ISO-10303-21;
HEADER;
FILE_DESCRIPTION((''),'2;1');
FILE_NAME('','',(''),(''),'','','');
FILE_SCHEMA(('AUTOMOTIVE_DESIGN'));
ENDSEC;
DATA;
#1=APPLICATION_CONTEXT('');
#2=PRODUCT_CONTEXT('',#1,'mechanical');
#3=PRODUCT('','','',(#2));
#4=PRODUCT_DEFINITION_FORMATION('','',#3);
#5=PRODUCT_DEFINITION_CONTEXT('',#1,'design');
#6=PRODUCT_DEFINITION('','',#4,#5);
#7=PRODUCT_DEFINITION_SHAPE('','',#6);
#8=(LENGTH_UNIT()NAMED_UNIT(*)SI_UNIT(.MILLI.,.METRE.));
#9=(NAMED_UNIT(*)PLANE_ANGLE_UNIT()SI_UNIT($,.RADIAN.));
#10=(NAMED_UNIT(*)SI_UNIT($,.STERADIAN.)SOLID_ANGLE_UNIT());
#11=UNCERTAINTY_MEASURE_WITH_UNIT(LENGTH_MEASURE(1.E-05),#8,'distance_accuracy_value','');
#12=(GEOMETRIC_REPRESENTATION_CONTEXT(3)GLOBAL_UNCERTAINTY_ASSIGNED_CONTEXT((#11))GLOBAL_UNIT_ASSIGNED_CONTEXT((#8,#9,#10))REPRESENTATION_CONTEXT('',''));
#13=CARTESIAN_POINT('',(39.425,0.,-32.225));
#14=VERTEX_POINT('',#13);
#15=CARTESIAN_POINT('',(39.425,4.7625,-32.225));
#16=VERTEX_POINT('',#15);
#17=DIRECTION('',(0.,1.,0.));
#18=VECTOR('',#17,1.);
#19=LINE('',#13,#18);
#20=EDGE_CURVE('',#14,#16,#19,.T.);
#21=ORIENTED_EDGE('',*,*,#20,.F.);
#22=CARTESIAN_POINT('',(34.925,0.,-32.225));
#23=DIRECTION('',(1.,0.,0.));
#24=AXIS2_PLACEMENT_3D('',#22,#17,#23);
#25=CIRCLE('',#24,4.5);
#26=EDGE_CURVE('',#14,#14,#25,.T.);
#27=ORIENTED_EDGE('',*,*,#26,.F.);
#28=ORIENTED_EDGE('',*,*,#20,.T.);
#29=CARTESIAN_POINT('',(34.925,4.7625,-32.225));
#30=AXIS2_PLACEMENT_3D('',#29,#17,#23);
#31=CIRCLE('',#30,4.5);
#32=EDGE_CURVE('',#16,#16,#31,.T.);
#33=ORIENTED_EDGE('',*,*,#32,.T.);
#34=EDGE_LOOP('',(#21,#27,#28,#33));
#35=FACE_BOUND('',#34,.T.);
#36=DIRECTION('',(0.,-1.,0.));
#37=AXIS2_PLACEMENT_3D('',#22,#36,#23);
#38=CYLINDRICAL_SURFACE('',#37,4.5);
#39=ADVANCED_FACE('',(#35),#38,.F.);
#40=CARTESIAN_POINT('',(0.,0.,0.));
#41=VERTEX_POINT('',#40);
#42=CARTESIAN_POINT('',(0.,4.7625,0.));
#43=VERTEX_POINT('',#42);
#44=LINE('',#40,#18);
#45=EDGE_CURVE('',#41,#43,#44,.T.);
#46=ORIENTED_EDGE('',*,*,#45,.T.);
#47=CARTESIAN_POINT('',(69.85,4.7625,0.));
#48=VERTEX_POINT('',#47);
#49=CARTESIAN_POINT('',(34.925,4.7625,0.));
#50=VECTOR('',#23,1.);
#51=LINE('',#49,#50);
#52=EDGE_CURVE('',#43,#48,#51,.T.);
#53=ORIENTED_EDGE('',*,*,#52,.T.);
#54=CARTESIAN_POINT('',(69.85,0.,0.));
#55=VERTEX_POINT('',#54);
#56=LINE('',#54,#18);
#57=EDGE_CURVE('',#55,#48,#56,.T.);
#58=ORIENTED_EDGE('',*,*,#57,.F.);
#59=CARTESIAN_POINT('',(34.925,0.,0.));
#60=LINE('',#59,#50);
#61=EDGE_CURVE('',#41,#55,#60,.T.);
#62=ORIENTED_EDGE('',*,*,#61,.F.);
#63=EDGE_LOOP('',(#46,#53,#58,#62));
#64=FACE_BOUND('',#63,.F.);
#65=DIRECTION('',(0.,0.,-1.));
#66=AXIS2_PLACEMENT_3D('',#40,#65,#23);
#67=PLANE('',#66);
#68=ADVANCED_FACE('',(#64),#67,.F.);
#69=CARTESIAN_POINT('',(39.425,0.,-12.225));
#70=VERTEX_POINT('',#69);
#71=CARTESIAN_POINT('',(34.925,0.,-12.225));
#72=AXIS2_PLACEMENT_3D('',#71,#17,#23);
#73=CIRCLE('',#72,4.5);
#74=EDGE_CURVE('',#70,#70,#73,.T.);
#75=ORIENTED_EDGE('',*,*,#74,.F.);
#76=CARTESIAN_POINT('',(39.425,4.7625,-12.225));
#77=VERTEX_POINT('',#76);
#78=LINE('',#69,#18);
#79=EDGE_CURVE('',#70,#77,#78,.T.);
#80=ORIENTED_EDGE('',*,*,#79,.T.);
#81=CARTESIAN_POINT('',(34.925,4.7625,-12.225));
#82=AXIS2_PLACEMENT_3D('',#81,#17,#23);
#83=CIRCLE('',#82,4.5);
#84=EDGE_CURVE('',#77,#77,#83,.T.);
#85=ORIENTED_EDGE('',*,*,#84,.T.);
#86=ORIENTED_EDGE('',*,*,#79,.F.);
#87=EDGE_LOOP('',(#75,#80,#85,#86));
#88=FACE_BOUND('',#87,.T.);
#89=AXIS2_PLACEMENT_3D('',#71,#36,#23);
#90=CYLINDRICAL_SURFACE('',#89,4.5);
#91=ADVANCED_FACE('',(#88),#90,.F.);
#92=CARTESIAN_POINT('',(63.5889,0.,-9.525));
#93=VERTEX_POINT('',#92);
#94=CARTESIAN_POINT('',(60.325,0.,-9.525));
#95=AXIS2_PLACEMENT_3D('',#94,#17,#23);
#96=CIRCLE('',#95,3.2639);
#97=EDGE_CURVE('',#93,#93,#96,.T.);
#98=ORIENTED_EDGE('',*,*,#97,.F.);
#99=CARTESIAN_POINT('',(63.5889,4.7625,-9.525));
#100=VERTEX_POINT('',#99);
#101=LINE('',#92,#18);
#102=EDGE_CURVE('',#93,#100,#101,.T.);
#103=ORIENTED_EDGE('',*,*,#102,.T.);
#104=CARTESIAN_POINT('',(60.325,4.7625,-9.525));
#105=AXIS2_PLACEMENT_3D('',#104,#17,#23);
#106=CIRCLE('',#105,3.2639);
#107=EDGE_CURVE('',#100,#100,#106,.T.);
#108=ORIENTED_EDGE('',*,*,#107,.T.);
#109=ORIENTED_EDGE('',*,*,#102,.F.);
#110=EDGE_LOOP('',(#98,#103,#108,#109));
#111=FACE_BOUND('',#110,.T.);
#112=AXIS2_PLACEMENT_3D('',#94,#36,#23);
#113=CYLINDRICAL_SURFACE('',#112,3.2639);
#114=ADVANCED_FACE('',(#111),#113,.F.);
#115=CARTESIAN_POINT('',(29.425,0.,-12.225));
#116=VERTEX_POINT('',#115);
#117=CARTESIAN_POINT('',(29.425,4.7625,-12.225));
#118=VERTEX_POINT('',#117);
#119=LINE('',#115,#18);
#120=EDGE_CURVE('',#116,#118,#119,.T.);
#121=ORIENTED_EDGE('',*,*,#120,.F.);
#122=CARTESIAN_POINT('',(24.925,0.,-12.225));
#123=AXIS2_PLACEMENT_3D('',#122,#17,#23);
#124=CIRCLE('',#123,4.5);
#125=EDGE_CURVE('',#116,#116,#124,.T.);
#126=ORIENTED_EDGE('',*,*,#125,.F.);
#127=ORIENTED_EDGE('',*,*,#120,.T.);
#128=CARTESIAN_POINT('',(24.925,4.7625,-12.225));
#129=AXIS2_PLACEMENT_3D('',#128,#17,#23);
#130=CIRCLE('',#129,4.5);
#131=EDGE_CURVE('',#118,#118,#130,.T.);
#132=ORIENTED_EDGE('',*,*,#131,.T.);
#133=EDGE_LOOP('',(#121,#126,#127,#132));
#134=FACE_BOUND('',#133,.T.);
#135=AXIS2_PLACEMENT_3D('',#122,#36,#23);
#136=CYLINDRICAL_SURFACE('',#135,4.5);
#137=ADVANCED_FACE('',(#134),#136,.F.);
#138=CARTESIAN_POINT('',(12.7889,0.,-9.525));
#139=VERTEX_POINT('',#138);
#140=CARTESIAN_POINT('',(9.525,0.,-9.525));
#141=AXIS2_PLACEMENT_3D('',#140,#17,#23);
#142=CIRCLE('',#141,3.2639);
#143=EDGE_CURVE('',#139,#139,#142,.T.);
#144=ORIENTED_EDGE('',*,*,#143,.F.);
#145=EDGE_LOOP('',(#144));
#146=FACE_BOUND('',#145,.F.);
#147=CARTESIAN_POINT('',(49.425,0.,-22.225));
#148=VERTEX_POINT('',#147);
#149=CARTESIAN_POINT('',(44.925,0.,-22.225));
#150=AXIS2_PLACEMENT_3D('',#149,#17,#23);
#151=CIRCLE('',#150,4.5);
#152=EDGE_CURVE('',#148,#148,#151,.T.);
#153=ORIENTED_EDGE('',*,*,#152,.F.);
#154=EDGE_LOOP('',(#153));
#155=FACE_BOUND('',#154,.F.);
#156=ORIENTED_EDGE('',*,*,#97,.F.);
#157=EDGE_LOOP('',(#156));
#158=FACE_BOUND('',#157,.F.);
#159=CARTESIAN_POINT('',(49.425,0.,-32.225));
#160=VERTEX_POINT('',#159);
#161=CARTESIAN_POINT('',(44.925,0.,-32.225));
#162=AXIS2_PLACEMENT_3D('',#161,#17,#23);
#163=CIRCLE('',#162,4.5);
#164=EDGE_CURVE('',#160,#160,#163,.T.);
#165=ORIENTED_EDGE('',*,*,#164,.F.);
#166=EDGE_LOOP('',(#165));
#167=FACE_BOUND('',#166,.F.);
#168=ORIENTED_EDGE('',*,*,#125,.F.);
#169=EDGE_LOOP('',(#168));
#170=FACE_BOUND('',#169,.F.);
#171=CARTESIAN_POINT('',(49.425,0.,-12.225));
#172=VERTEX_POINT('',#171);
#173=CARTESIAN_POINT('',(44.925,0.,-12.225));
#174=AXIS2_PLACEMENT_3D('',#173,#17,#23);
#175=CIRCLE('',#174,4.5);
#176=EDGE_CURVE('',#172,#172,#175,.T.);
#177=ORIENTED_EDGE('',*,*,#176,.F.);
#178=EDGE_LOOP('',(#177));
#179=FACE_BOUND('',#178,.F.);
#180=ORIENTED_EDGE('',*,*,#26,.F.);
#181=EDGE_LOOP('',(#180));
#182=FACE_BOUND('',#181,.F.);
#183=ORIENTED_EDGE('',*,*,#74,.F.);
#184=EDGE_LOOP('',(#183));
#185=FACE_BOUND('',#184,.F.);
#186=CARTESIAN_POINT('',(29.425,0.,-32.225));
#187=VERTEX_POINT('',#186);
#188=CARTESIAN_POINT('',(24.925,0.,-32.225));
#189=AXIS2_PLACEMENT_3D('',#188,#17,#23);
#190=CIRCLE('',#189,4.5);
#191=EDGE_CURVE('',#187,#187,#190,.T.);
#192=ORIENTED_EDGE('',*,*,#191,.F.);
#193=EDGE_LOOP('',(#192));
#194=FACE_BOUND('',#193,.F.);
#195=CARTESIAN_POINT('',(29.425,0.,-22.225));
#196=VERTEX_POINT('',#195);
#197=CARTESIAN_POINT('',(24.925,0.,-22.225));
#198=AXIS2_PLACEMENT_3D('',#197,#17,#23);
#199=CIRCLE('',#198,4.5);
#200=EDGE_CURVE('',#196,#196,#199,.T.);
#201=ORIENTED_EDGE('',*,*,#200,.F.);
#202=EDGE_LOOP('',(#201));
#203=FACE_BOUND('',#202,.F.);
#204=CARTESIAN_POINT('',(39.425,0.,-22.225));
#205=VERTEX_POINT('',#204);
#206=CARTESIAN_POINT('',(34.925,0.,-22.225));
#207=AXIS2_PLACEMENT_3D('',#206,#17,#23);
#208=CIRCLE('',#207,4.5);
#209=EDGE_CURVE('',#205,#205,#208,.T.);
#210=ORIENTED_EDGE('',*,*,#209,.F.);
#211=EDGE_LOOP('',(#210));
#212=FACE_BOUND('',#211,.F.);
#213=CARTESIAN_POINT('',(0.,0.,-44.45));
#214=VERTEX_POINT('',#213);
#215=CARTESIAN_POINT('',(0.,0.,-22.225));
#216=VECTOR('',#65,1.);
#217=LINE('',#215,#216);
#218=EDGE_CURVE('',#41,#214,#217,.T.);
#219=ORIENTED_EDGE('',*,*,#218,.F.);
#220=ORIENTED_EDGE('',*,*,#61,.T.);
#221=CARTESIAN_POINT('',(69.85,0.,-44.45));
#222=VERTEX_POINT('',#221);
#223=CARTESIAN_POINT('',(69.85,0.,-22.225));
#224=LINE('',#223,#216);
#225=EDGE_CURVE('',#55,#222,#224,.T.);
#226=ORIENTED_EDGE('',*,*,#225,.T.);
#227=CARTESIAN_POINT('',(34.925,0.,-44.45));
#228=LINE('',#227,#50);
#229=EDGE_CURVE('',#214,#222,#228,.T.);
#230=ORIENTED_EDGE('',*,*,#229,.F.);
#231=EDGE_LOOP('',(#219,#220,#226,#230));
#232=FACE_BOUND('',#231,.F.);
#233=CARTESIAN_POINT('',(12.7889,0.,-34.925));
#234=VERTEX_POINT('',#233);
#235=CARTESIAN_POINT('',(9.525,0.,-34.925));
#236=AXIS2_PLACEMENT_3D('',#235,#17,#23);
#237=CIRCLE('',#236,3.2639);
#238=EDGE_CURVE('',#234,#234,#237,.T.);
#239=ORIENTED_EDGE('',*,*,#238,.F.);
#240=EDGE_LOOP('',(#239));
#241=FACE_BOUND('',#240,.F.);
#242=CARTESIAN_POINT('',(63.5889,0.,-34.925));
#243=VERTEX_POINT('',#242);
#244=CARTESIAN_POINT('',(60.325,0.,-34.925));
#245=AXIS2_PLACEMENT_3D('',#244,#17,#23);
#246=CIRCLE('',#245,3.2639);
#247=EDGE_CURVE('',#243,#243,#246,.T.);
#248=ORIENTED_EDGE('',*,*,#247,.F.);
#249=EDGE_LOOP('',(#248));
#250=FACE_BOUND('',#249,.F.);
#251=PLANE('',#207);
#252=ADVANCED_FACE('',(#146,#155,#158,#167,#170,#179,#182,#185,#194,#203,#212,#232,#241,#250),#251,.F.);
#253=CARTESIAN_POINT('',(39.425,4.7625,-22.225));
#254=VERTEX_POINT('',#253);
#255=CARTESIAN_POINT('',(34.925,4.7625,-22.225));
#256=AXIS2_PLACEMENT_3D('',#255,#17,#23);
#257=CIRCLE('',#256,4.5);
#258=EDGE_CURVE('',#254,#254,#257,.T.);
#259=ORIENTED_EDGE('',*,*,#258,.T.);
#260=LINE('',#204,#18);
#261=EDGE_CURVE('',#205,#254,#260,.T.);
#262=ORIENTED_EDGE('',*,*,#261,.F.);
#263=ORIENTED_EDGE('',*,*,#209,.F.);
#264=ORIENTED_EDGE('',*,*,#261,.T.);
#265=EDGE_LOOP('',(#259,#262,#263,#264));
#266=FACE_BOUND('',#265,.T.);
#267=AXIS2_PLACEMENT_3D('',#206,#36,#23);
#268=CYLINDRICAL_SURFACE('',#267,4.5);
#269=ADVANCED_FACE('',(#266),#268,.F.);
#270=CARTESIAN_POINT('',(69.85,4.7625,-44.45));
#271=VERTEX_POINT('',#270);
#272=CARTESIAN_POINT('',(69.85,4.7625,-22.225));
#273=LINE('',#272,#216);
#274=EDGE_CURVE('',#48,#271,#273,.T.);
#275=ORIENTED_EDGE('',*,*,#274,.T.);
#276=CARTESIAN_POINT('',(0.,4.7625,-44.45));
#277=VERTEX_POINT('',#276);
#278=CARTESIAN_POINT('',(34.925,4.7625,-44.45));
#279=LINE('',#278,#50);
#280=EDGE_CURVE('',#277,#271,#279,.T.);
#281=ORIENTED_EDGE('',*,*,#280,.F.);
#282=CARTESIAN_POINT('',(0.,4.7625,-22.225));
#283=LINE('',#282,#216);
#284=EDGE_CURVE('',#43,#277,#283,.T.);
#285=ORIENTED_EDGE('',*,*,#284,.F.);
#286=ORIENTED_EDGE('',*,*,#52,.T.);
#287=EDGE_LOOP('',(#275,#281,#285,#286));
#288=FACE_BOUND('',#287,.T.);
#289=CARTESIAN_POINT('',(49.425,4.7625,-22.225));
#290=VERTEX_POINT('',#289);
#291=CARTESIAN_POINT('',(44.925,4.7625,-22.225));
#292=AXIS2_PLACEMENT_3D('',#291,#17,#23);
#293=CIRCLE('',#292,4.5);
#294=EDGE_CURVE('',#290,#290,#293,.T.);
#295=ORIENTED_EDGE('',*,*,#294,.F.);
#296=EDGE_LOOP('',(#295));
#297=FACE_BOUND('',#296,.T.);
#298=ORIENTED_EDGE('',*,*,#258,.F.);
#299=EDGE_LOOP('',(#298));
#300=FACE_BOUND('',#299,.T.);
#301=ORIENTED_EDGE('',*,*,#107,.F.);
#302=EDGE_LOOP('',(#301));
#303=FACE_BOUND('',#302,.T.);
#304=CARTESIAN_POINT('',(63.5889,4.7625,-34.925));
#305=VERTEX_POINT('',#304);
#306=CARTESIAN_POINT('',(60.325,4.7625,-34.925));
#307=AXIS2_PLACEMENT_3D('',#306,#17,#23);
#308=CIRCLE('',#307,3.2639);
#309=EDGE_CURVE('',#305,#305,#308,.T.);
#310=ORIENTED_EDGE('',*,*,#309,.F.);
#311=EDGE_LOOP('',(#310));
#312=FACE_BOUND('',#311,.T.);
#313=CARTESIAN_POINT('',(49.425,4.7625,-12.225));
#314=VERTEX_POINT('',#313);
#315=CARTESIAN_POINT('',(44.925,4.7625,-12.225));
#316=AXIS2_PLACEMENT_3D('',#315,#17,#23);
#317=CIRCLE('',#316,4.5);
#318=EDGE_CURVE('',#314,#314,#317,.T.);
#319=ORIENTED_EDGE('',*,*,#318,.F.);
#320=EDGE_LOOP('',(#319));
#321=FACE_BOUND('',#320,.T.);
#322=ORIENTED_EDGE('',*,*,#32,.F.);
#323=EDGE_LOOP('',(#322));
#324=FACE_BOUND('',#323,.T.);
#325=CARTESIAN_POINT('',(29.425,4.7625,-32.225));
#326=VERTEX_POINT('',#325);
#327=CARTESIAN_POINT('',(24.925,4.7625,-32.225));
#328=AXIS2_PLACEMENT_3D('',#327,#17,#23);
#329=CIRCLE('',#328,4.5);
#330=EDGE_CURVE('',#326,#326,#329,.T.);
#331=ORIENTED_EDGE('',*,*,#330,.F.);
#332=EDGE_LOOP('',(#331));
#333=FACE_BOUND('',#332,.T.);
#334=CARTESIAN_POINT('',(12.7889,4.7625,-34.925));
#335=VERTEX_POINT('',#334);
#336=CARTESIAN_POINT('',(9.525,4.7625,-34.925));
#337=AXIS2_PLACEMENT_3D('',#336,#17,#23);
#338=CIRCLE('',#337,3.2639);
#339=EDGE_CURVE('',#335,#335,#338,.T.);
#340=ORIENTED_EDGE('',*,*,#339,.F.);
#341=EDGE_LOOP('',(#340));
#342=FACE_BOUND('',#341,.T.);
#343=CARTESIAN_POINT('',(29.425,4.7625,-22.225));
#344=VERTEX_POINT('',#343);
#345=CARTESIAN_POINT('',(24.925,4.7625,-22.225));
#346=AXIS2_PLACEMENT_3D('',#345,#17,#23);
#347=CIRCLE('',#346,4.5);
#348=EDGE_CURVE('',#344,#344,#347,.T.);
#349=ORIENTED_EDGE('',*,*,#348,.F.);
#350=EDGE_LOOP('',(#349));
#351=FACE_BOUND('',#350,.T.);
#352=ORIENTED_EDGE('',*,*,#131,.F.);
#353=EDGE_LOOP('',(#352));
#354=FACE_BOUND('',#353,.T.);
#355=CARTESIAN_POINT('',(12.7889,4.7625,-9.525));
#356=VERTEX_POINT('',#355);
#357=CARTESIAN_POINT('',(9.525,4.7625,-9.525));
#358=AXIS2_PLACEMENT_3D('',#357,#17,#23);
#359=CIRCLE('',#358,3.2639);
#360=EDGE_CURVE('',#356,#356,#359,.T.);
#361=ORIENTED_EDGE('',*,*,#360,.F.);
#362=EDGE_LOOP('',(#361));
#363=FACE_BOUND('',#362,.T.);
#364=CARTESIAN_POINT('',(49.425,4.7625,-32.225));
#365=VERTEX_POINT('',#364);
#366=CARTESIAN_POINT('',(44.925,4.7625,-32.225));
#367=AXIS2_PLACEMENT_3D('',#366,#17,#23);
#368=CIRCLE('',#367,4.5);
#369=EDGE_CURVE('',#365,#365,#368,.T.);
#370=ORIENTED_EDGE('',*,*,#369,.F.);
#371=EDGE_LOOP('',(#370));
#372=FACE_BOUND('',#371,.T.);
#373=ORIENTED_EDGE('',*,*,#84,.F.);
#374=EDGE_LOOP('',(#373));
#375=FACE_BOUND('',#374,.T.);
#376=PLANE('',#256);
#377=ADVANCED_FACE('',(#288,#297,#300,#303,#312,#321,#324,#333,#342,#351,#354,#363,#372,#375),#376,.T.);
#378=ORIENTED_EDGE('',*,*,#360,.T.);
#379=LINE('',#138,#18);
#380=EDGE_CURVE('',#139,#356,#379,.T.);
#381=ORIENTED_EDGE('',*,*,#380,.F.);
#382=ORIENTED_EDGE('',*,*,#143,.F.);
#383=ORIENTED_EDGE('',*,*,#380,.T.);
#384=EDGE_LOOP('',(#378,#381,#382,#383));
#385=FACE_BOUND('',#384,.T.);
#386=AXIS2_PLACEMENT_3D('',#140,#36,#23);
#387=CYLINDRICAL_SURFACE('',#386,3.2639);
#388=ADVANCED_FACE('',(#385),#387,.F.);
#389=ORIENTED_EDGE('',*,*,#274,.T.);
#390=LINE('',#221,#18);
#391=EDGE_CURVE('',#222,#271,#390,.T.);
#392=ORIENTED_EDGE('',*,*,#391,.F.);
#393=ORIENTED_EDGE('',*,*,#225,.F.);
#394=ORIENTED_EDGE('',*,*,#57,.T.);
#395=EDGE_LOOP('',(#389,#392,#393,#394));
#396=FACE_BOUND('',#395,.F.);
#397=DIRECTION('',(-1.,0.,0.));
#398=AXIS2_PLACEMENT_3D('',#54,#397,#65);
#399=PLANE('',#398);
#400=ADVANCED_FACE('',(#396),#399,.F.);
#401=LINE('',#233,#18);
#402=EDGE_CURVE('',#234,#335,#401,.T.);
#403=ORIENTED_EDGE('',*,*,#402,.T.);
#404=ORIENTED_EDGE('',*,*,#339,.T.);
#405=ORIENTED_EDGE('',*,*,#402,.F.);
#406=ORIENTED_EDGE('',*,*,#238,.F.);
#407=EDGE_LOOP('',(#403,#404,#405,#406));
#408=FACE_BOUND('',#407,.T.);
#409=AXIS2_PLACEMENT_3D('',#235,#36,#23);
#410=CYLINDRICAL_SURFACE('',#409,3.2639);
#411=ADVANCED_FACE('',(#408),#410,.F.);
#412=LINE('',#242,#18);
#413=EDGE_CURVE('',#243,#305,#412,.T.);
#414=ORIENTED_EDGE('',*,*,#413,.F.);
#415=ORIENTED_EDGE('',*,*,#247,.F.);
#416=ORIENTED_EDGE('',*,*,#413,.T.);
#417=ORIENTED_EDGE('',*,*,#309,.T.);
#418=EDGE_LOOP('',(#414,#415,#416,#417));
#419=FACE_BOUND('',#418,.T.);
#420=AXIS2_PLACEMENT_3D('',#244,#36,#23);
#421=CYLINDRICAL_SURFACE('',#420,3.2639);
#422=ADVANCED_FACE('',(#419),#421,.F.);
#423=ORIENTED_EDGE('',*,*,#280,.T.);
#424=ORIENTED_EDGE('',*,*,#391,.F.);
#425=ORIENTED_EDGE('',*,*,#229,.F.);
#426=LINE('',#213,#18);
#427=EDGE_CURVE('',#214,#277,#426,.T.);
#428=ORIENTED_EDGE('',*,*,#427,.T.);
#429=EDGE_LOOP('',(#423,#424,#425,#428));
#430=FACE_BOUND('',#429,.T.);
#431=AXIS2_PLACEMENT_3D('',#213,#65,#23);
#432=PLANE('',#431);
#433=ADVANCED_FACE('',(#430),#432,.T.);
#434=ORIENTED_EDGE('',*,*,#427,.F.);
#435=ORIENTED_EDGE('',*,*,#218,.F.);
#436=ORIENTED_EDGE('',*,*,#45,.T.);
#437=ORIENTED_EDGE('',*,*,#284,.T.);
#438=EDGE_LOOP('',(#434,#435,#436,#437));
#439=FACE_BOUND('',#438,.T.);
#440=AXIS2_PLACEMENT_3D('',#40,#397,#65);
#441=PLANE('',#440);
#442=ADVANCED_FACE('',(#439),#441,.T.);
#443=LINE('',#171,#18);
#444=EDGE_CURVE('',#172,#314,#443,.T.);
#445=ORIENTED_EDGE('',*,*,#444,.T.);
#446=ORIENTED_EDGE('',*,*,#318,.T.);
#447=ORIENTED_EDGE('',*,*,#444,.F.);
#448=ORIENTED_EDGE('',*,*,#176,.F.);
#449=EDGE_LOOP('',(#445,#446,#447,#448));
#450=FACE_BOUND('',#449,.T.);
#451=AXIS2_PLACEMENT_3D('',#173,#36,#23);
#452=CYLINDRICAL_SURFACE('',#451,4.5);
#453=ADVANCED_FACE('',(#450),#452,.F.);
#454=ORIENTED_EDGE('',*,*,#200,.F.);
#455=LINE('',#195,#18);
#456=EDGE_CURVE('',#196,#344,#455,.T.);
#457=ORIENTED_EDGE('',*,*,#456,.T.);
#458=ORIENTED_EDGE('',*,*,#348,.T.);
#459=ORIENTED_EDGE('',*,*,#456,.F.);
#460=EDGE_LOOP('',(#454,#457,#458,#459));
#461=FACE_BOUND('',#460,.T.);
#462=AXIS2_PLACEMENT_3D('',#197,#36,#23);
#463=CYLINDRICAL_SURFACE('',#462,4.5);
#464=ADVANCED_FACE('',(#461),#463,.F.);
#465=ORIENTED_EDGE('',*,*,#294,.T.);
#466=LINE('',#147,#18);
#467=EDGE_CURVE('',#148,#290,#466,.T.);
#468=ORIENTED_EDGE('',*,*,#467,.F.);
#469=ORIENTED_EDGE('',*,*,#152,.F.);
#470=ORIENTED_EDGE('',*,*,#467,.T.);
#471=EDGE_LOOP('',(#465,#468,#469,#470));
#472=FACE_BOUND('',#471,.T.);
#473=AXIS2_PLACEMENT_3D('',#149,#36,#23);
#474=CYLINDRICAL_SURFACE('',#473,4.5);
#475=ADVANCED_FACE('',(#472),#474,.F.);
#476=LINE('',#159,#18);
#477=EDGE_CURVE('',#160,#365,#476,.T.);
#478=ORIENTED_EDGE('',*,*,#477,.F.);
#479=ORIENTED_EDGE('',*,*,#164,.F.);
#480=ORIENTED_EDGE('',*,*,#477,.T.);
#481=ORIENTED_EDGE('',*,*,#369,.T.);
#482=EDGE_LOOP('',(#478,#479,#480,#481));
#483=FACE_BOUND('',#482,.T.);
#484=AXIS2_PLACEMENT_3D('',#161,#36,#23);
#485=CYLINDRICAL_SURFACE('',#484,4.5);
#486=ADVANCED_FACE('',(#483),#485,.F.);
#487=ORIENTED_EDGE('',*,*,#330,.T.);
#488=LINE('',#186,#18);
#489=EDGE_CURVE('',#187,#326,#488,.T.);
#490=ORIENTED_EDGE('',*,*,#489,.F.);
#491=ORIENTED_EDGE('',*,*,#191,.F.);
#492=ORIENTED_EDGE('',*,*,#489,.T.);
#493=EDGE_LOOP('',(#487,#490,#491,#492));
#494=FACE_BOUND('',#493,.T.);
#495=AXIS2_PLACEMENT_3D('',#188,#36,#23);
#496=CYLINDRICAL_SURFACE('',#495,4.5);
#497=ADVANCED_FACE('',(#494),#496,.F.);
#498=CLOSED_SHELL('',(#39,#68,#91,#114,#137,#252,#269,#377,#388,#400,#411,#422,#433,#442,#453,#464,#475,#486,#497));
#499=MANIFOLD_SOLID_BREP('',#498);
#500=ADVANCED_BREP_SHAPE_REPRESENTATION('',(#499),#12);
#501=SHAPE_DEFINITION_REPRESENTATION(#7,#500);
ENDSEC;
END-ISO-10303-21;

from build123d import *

# Parameters (mm, degrees)
SKETCH1_W           = 69.85
SKETCH1_H           = 44.45
SKETCH1_R           = 4.5
SKETCH1_R_2         = 3.2639
BOSS_EXTRUDE1_DEPTH = 4.7625


with BuildPart() as part:
    # Sketch1 → Boss-Extrude1 (new body)
    with BuildSketch(Plane(origin=(0, 0, 0), x_dir=(1, 0, 0), z_dir=(0, 1, 0))):
        with Locations((34.925, 22.225)):
            Rectangle(SKETCH1_W, SKETCH1_H)
        with Locations((44.925, 12.225)):
            Circle(SKETCH1_R, mode=Mode.SUBTRACT)
        with Locations((34.925, 12.225)):
            Circle(SKETCH1_R, mode=Mode.SUBTRACT)
        with Locations((24.925, 12.225)):
            Circle(SKETCH1_R, mode=Mode.SUBTRACT)
        with Locations((24.925, 32.225)):
            Circle(SKETCH1_R, mode=Mode.SUBTRACT)
        with Locations((24.925, 22.225)):
            Circle(SKETCH1_R, mode=Mode.SUBTRACT)
        with Locations((34.925, 32.225)):
            Circle(SKETCH1_R, mode=Mode.SUBTRACT)
        with Locations((44.925, 32.225)):
            Circle(SKETCH1_R, mode=Mode.SUBTRACT)
        with Locations((44.925, 22.225)):
            Circle(SKETCH1_R, mode=Mode.SUBTRACT)
        with Locations((34.925, 22.225)):
            Circle(SKETCH1_R, mode=Mode.SUBTRACT)
        with Locations((60.325, 9.525)):
            Circle(SKETCH1_R_2, mode=Mode.SUBTRACT)
        with Locations((9.525, 9.525)):
            Circle(SKETCH1_R_2, mode=Mode.SUBTRACT)
        with Locations((60.325, 34.925)):
            Circle(SKETCH1_R_2, mode=Mode.SUBTRACT)
        with Locations((9.525, 34.925)):
            Circle(SKETCH1_R_2, mode=Mode.SUBTRACT)
    extrude(amount=BOSS_EXTRUDE1_DEPTH)


solid = part.part
